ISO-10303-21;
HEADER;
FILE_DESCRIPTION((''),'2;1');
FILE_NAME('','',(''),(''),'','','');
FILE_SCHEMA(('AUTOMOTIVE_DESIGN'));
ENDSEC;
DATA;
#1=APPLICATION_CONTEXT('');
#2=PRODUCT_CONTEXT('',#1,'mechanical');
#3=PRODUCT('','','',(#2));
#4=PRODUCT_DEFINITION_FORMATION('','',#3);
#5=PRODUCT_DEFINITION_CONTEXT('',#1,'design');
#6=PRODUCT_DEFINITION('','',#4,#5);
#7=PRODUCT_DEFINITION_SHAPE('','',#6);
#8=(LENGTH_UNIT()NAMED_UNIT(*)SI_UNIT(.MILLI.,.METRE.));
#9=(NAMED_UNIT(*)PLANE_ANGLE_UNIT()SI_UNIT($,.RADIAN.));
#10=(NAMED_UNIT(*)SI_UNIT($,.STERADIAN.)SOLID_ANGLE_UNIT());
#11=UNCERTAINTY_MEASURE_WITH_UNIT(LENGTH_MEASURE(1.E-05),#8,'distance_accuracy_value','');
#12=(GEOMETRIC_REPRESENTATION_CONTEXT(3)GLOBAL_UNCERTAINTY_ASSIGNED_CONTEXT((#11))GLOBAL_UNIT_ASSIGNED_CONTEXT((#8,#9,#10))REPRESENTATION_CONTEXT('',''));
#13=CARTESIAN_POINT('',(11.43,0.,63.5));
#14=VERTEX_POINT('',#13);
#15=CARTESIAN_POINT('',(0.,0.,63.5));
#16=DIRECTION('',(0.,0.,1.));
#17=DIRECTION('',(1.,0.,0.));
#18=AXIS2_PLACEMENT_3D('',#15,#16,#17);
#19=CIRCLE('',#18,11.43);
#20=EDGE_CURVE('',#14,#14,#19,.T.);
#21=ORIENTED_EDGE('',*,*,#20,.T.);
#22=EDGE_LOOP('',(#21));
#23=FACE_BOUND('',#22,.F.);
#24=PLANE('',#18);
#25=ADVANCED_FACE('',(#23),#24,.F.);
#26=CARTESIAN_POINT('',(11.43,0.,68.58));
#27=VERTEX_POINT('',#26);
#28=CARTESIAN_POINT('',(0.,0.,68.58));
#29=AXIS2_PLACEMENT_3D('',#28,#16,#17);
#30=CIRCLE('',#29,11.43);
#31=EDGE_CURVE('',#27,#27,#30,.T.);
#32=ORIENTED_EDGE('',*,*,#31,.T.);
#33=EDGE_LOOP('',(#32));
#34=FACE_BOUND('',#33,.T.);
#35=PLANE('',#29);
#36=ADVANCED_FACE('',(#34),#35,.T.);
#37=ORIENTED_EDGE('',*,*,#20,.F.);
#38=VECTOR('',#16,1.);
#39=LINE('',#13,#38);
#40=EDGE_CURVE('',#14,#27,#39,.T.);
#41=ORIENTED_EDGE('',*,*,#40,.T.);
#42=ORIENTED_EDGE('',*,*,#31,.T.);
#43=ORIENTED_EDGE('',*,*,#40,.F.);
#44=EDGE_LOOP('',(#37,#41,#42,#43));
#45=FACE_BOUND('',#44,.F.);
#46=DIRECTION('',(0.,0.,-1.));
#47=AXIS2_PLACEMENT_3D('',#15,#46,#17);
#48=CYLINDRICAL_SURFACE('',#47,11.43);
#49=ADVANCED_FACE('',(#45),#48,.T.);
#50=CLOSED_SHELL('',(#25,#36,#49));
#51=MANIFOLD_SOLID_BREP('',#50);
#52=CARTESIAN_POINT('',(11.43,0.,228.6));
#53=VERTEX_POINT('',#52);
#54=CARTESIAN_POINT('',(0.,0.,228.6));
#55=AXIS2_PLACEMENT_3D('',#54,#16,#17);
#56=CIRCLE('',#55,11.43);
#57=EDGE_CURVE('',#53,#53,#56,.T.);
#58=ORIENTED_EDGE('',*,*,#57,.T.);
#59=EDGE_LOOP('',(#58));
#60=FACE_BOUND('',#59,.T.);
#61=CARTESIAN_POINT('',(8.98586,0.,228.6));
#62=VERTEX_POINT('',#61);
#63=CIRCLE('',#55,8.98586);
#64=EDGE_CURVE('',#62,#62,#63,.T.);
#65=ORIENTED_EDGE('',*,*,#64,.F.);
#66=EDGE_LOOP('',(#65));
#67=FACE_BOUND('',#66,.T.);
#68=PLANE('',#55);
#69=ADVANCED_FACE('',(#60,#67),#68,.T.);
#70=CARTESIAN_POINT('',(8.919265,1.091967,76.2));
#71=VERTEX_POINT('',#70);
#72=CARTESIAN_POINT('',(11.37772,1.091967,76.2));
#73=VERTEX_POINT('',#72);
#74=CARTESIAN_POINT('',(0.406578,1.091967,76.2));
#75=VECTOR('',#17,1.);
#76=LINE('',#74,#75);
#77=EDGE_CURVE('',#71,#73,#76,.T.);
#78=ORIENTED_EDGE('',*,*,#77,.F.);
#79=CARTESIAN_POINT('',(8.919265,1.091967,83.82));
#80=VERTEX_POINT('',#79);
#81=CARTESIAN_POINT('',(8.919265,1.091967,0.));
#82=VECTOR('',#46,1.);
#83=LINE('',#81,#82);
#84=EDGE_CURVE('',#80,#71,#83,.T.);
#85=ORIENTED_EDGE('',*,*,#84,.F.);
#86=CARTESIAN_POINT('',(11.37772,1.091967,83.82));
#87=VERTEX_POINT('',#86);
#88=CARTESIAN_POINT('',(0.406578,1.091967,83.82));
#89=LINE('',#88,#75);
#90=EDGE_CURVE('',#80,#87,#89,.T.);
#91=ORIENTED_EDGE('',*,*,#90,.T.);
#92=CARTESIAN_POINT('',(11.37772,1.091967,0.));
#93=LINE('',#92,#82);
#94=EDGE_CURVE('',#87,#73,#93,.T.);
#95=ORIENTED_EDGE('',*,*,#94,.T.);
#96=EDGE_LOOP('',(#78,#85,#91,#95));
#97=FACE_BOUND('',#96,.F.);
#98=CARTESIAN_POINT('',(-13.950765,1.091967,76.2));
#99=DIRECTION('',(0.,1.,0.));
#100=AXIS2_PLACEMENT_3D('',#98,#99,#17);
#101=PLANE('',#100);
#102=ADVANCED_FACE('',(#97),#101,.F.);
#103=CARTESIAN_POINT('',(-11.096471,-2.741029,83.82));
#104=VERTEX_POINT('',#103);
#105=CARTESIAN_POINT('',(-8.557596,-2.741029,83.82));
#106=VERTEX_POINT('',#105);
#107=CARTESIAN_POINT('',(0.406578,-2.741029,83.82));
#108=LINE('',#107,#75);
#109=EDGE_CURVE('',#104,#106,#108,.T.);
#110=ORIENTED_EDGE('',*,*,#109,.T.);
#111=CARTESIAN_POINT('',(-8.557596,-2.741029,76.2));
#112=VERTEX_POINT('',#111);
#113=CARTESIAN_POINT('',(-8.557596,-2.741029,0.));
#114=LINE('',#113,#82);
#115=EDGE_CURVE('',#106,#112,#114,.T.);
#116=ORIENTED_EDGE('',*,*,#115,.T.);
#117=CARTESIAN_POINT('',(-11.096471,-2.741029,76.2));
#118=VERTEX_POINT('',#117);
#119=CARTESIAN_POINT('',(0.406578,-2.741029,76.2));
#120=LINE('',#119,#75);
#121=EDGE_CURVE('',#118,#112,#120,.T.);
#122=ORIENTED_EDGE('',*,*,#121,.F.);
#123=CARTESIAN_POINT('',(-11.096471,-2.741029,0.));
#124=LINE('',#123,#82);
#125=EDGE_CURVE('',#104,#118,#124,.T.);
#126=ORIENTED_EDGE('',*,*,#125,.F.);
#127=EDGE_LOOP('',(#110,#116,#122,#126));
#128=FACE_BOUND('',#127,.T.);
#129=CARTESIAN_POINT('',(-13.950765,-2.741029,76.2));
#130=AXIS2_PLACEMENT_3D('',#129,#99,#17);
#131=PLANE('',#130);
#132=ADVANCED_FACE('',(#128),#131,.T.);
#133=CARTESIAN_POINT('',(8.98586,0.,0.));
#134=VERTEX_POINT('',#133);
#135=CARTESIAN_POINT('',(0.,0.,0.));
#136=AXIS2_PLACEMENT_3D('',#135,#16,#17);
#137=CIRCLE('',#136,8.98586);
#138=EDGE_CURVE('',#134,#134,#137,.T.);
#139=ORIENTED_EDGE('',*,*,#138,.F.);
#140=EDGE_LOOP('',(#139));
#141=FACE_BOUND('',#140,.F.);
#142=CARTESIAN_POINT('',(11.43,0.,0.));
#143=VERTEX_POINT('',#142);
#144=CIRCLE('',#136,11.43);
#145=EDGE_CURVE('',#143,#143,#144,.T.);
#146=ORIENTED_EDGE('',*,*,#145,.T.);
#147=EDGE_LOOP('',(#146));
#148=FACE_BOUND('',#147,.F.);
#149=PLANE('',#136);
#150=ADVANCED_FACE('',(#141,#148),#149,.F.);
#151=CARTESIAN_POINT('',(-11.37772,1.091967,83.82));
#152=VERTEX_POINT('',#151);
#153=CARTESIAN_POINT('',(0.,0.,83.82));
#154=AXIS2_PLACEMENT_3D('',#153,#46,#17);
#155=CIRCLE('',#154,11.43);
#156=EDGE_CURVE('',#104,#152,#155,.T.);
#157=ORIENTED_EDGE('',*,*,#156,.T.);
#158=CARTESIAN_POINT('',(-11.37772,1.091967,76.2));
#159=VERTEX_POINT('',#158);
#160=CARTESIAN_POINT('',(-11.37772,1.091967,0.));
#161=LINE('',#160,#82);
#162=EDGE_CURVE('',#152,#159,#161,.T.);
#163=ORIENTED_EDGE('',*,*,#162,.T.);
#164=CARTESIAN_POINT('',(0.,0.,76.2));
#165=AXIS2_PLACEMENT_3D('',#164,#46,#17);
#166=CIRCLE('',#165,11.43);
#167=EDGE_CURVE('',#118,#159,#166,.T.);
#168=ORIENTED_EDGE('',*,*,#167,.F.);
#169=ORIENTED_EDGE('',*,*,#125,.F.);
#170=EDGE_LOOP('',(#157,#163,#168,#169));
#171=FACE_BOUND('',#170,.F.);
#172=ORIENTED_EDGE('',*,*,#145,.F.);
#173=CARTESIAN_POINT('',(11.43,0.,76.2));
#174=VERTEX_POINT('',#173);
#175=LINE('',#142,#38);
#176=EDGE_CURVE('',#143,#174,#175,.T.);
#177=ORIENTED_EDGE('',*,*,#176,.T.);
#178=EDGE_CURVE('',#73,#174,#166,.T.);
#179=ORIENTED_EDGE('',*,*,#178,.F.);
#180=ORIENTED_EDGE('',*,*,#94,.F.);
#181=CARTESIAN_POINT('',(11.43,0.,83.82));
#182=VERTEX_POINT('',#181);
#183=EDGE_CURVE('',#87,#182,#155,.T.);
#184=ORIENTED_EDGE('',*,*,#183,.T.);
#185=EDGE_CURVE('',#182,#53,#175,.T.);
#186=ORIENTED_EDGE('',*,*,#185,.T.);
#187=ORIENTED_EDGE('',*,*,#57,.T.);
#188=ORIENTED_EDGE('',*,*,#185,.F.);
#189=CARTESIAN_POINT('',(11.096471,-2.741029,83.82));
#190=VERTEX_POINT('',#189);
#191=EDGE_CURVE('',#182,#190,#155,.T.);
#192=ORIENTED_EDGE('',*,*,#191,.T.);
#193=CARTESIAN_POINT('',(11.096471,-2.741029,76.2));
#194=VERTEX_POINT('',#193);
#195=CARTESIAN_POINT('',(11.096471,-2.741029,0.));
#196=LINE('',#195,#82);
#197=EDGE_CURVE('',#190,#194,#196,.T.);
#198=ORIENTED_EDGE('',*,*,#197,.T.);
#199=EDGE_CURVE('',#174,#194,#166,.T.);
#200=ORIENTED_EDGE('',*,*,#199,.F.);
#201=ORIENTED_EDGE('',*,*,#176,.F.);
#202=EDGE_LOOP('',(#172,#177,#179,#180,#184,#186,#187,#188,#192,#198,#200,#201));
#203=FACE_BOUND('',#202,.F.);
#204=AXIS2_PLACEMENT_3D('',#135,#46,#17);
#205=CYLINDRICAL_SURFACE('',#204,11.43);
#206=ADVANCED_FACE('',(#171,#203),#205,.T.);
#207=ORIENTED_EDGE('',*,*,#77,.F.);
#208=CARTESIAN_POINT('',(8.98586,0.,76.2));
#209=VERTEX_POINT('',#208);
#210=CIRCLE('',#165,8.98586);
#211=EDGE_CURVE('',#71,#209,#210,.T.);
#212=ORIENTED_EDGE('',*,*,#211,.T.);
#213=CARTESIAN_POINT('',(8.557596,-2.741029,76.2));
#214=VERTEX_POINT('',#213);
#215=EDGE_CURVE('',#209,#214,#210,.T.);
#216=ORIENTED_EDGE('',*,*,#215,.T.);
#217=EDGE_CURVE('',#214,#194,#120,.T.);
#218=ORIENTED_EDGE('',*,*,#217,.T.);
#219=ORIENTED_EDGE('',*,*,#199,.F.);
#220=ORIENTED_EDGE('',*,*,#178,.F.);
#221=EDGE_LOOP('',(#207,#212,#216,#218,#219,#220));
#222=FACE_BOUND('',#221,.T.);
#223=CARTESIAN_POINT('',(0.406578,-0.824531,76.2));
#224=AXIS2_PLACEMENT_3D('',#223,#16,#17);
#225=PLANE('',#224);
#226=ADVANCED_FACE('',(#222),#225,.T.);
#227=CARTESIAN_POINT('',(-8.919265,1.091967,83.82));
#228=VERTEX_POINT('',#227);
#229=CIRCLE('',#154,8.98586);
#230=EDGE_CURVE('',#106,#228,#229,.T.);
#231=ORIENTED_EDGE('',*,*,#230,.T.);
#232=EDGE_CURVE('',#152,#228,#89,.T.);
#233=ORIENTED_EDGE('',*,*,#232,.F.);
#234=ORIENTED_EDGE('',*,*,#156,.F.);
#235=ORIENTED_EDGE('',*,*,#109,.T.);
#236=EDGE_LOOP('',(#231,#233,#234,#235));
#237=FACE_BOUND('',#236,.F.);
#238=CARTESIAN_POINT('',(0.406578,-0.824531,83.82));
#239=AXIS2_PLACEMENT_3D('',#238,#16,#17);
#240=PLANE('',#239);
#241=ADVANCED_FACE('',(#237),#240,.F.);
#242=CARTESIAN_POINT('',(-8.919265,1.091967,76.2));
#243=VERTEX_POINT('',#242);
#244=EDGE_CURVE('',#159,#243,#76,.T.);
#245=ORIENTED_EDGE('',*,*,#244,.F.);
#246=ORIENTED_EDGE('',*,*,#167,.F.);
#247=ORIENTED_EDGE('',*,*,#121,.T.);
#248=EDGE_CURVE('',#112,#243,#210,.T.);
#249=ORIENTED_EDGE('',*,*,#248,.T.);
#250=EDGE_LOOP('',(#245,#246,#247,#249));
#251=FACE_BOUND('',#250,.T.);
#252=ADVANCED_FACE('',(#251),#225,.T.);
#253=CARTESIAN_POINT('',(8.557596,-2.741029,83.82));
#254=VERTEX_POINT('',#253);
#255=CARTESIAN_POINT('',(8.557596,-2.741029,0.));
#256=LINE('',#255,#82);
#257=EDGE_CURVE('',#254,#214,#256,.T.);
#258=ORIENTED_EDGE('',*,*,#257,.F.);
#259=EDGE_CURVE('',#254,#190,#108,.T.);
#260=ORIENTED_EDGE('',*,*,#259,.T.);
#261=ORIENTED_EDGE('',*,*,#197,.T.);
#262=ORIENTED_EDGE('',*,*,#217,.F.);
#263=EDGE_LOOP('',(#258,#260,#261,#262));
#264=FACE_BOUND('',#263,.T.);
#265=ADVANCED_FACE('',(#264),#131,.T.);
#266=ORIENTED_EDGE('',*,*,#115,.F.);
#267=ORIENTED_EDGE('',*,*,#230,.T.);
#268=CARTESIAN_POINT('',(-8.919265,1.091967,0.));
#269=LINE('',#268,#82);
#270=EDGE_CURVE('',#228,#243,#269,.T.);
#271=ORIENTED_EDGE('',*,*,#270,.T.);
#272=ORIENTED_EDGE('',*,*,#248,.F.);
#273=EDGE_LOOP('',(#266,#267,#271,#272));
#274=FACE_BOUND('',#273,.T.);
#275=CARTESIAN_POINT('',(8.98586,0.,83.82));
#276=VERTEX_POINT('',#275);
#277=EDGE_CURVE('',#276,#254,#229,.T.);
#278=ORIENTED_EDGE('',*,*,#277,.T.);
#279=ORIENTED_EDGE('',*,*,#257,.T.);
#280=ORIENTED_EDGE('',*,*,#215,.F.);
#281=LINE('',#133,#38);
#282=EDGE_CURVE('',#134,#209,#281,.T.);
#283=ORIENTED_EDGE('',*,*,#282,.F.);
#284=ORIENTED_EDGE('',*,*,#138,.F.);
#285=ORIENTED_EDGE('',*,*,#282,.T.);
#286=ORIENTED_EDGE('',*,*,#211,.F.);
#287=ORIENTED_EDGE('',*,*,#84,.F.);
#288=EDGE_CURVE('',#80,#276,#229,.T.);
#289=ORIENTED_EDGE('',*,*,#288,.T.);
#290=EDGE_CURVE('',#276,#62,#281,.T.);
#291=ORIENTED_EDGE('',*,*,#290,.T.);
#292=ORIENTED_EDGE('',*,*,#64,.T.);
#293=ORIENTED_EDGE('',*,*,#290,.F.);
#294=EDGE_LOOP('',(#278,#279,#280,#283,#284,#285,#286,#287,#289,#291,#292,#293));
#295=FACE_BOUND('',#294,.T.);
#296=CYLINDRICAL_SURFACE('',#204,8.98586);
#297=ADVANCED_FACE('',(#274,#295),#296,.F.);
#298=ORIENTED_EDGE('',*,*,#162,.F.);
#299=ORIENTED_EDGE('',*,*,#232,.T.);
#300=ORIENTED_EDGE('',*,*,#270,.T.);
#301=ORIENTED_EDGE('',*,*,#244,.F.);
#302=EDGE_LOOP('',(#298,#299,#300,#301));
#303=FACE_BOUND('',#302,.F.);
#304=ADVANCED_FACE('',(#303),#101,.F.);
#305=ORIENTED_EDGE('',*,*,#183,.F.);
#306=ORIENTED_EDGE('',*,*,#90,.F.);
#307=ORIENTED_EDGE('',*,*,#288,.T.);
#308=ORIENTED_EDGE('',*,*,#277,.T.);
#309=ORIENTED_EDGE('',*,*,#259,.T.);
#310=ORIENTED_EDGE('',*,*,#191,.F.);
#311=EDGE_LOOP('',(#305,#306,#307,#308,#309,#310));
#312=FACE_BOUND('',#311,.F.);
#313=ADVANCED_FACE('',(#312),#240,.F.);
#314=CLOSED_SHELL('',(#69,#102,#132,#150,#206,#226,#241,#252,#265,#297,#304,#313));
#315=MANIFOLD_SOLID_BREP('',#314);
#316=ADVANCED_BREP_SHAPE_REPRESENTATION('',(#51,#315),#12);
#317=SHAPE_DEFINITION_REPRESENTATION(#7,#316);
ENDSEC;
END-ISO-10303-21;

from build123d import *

# Parameters (mm, degrees)
F0_R     = 11.43
F0_R_2   = 8.98586
F1_DEPTH = 228.6
F3_W     = 28.714685
F3_H     = 3.832995
F4_DEPTH = 7.62
F6_R     = 11.43
F7_DEPTH = 5.08


with BuildPart() as f1:
    # F0 (on Top) → F1 (new body)
    with BuildSketch(Plane.XY):
        Circle(F0_R)
        Circle(F0_R_2, mode=Mode.SUBTRACT)
    extrude(amount=F1_DEPTH)

    # F3 (on offset) → F4 (cut)
    with BuildSketch(Plane.XY.offset(76.2)):
        with Locations((0.406578, -0.824531)):
            Rectangle(F3_W, F3_H)
    extrude(amount=F4_DEPTH, mode=Mode.SUBTRACT)


with BuildPart() as f7:
    # F6 (on offset) → F7 (new body)
    with BuildSketch(Plane.XY.offset(63.5)):
        Circle(F6_R)
    extrude(amount=F7_DEPTH)


solid = Compound([f1.part, f7.part])
